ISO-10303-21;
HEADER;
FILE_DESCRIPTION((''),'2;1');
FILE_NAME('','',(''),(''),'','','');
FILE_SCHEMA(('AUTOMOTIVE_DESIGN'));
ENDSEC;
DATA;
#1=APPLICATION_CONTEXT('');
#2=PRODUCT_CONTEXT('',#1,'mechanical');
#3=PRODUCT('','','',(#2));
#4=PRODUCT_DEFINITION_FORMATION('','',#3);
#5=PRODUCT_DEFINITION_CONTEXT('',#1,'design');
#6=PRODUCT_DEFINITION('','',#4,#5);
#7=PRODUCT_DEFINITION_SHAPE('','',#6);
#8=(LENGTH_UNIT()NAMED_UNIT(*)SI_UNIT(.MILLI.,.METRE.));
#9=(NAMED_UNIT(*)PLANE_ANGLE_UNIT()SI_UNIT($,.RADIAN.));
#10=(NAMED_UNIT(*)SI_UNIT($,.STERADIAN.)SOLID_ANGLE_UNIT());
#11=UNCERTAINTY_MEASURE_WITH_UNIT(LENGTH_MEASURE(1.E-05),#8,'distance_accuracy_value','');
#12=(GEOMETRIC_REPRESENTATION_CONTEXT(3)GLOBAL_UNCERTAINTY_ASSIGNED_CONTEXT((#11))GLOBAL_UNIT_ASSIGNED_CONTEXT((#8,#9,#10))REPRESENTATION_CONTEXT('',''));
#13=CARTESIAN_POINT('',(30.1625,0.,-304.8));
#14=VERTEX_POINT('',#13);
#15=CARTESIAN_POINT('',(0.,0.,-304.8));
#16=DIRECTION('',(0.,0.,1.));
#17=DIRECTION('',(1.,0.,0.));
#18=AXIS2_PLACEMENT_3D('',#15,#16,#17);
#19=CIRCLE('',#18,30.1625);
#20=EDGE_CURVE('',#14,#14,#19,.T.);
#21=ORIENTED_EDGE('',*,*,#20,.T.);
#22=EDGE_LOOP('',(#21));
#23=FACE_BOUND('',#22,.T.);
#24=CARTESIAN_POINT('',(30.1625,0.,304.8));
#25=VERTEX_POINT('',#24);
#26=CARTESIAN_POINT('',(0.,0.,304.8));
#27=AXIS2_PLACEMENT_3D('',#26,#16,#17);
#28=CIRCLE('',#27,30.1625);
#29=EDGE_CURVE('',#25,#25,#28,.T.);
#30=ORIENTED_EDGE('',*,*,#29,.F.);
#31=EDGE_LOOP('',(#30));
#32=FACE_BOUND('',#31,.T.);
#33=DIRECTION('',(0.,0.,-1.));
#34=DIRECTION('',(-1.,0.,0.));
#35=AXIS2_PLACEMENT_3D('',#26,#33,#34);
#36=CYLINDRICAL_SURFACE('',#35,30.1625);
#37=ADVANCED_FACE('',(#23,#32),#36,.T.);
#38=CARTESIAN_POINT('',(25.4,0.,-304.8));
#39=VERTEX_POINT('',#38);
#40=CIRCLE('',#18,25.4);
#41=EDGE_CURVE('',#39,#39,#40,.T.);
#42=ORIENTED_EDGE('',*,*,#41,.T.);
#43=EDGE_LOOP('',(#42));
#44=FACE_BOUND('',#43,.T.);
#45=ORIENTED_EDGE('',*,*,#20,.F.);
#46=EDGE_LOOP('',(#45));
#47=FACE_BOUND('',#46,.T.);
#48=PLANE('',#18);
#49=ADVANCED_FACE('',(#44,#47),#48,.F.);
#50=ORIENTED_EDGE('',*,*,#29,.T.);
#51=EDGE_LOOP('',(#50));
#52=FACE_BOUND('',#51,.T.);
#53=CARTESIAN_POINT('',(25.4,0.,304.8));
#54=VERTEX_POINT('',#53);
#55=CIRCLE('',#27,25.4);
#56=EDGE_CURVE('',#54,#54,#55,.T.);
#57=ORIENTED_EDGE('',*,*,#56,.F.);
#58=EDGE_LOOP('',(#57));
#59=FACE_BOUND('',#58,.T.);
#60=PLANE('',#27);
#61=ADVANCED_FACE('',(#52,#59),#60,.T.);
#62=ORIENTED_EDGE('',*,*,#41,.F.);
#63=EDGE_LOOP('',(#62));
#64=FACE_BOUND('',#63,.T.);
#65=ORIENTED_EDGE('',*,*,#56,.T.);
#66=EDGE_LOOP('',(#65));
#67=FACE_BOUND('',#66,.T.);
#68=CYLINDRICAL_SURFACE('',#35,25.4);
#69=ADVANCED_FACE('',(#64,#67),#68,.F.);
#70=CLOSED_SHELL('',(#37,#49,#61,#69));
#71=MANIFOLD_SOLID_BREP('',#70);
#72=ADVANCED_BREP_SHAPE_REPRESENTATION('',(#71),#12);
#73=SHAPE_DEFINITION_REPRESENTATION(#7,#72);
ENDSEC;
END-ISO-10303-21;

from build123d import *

# Parameters (mm, degrees)
SKETCH1_R           = 30.1625
SKETCH1_R_2         = 25.4
BOSS_EXTRUDE1_DEPTH = 304.8


with BuildPart() as part:
    # Sketch1 → Boss-Extrude1 (new body, symmetric)
    with BuildSketch(Plane.XY):
        Circle(SKETCH1_R)
        Circle(SKETCH1_R_2, mode=Mode.SUBTRACT)
    extrude(amount=BOSS_EXTRUDE1_DEPTH, both=True)


solid = part.part
